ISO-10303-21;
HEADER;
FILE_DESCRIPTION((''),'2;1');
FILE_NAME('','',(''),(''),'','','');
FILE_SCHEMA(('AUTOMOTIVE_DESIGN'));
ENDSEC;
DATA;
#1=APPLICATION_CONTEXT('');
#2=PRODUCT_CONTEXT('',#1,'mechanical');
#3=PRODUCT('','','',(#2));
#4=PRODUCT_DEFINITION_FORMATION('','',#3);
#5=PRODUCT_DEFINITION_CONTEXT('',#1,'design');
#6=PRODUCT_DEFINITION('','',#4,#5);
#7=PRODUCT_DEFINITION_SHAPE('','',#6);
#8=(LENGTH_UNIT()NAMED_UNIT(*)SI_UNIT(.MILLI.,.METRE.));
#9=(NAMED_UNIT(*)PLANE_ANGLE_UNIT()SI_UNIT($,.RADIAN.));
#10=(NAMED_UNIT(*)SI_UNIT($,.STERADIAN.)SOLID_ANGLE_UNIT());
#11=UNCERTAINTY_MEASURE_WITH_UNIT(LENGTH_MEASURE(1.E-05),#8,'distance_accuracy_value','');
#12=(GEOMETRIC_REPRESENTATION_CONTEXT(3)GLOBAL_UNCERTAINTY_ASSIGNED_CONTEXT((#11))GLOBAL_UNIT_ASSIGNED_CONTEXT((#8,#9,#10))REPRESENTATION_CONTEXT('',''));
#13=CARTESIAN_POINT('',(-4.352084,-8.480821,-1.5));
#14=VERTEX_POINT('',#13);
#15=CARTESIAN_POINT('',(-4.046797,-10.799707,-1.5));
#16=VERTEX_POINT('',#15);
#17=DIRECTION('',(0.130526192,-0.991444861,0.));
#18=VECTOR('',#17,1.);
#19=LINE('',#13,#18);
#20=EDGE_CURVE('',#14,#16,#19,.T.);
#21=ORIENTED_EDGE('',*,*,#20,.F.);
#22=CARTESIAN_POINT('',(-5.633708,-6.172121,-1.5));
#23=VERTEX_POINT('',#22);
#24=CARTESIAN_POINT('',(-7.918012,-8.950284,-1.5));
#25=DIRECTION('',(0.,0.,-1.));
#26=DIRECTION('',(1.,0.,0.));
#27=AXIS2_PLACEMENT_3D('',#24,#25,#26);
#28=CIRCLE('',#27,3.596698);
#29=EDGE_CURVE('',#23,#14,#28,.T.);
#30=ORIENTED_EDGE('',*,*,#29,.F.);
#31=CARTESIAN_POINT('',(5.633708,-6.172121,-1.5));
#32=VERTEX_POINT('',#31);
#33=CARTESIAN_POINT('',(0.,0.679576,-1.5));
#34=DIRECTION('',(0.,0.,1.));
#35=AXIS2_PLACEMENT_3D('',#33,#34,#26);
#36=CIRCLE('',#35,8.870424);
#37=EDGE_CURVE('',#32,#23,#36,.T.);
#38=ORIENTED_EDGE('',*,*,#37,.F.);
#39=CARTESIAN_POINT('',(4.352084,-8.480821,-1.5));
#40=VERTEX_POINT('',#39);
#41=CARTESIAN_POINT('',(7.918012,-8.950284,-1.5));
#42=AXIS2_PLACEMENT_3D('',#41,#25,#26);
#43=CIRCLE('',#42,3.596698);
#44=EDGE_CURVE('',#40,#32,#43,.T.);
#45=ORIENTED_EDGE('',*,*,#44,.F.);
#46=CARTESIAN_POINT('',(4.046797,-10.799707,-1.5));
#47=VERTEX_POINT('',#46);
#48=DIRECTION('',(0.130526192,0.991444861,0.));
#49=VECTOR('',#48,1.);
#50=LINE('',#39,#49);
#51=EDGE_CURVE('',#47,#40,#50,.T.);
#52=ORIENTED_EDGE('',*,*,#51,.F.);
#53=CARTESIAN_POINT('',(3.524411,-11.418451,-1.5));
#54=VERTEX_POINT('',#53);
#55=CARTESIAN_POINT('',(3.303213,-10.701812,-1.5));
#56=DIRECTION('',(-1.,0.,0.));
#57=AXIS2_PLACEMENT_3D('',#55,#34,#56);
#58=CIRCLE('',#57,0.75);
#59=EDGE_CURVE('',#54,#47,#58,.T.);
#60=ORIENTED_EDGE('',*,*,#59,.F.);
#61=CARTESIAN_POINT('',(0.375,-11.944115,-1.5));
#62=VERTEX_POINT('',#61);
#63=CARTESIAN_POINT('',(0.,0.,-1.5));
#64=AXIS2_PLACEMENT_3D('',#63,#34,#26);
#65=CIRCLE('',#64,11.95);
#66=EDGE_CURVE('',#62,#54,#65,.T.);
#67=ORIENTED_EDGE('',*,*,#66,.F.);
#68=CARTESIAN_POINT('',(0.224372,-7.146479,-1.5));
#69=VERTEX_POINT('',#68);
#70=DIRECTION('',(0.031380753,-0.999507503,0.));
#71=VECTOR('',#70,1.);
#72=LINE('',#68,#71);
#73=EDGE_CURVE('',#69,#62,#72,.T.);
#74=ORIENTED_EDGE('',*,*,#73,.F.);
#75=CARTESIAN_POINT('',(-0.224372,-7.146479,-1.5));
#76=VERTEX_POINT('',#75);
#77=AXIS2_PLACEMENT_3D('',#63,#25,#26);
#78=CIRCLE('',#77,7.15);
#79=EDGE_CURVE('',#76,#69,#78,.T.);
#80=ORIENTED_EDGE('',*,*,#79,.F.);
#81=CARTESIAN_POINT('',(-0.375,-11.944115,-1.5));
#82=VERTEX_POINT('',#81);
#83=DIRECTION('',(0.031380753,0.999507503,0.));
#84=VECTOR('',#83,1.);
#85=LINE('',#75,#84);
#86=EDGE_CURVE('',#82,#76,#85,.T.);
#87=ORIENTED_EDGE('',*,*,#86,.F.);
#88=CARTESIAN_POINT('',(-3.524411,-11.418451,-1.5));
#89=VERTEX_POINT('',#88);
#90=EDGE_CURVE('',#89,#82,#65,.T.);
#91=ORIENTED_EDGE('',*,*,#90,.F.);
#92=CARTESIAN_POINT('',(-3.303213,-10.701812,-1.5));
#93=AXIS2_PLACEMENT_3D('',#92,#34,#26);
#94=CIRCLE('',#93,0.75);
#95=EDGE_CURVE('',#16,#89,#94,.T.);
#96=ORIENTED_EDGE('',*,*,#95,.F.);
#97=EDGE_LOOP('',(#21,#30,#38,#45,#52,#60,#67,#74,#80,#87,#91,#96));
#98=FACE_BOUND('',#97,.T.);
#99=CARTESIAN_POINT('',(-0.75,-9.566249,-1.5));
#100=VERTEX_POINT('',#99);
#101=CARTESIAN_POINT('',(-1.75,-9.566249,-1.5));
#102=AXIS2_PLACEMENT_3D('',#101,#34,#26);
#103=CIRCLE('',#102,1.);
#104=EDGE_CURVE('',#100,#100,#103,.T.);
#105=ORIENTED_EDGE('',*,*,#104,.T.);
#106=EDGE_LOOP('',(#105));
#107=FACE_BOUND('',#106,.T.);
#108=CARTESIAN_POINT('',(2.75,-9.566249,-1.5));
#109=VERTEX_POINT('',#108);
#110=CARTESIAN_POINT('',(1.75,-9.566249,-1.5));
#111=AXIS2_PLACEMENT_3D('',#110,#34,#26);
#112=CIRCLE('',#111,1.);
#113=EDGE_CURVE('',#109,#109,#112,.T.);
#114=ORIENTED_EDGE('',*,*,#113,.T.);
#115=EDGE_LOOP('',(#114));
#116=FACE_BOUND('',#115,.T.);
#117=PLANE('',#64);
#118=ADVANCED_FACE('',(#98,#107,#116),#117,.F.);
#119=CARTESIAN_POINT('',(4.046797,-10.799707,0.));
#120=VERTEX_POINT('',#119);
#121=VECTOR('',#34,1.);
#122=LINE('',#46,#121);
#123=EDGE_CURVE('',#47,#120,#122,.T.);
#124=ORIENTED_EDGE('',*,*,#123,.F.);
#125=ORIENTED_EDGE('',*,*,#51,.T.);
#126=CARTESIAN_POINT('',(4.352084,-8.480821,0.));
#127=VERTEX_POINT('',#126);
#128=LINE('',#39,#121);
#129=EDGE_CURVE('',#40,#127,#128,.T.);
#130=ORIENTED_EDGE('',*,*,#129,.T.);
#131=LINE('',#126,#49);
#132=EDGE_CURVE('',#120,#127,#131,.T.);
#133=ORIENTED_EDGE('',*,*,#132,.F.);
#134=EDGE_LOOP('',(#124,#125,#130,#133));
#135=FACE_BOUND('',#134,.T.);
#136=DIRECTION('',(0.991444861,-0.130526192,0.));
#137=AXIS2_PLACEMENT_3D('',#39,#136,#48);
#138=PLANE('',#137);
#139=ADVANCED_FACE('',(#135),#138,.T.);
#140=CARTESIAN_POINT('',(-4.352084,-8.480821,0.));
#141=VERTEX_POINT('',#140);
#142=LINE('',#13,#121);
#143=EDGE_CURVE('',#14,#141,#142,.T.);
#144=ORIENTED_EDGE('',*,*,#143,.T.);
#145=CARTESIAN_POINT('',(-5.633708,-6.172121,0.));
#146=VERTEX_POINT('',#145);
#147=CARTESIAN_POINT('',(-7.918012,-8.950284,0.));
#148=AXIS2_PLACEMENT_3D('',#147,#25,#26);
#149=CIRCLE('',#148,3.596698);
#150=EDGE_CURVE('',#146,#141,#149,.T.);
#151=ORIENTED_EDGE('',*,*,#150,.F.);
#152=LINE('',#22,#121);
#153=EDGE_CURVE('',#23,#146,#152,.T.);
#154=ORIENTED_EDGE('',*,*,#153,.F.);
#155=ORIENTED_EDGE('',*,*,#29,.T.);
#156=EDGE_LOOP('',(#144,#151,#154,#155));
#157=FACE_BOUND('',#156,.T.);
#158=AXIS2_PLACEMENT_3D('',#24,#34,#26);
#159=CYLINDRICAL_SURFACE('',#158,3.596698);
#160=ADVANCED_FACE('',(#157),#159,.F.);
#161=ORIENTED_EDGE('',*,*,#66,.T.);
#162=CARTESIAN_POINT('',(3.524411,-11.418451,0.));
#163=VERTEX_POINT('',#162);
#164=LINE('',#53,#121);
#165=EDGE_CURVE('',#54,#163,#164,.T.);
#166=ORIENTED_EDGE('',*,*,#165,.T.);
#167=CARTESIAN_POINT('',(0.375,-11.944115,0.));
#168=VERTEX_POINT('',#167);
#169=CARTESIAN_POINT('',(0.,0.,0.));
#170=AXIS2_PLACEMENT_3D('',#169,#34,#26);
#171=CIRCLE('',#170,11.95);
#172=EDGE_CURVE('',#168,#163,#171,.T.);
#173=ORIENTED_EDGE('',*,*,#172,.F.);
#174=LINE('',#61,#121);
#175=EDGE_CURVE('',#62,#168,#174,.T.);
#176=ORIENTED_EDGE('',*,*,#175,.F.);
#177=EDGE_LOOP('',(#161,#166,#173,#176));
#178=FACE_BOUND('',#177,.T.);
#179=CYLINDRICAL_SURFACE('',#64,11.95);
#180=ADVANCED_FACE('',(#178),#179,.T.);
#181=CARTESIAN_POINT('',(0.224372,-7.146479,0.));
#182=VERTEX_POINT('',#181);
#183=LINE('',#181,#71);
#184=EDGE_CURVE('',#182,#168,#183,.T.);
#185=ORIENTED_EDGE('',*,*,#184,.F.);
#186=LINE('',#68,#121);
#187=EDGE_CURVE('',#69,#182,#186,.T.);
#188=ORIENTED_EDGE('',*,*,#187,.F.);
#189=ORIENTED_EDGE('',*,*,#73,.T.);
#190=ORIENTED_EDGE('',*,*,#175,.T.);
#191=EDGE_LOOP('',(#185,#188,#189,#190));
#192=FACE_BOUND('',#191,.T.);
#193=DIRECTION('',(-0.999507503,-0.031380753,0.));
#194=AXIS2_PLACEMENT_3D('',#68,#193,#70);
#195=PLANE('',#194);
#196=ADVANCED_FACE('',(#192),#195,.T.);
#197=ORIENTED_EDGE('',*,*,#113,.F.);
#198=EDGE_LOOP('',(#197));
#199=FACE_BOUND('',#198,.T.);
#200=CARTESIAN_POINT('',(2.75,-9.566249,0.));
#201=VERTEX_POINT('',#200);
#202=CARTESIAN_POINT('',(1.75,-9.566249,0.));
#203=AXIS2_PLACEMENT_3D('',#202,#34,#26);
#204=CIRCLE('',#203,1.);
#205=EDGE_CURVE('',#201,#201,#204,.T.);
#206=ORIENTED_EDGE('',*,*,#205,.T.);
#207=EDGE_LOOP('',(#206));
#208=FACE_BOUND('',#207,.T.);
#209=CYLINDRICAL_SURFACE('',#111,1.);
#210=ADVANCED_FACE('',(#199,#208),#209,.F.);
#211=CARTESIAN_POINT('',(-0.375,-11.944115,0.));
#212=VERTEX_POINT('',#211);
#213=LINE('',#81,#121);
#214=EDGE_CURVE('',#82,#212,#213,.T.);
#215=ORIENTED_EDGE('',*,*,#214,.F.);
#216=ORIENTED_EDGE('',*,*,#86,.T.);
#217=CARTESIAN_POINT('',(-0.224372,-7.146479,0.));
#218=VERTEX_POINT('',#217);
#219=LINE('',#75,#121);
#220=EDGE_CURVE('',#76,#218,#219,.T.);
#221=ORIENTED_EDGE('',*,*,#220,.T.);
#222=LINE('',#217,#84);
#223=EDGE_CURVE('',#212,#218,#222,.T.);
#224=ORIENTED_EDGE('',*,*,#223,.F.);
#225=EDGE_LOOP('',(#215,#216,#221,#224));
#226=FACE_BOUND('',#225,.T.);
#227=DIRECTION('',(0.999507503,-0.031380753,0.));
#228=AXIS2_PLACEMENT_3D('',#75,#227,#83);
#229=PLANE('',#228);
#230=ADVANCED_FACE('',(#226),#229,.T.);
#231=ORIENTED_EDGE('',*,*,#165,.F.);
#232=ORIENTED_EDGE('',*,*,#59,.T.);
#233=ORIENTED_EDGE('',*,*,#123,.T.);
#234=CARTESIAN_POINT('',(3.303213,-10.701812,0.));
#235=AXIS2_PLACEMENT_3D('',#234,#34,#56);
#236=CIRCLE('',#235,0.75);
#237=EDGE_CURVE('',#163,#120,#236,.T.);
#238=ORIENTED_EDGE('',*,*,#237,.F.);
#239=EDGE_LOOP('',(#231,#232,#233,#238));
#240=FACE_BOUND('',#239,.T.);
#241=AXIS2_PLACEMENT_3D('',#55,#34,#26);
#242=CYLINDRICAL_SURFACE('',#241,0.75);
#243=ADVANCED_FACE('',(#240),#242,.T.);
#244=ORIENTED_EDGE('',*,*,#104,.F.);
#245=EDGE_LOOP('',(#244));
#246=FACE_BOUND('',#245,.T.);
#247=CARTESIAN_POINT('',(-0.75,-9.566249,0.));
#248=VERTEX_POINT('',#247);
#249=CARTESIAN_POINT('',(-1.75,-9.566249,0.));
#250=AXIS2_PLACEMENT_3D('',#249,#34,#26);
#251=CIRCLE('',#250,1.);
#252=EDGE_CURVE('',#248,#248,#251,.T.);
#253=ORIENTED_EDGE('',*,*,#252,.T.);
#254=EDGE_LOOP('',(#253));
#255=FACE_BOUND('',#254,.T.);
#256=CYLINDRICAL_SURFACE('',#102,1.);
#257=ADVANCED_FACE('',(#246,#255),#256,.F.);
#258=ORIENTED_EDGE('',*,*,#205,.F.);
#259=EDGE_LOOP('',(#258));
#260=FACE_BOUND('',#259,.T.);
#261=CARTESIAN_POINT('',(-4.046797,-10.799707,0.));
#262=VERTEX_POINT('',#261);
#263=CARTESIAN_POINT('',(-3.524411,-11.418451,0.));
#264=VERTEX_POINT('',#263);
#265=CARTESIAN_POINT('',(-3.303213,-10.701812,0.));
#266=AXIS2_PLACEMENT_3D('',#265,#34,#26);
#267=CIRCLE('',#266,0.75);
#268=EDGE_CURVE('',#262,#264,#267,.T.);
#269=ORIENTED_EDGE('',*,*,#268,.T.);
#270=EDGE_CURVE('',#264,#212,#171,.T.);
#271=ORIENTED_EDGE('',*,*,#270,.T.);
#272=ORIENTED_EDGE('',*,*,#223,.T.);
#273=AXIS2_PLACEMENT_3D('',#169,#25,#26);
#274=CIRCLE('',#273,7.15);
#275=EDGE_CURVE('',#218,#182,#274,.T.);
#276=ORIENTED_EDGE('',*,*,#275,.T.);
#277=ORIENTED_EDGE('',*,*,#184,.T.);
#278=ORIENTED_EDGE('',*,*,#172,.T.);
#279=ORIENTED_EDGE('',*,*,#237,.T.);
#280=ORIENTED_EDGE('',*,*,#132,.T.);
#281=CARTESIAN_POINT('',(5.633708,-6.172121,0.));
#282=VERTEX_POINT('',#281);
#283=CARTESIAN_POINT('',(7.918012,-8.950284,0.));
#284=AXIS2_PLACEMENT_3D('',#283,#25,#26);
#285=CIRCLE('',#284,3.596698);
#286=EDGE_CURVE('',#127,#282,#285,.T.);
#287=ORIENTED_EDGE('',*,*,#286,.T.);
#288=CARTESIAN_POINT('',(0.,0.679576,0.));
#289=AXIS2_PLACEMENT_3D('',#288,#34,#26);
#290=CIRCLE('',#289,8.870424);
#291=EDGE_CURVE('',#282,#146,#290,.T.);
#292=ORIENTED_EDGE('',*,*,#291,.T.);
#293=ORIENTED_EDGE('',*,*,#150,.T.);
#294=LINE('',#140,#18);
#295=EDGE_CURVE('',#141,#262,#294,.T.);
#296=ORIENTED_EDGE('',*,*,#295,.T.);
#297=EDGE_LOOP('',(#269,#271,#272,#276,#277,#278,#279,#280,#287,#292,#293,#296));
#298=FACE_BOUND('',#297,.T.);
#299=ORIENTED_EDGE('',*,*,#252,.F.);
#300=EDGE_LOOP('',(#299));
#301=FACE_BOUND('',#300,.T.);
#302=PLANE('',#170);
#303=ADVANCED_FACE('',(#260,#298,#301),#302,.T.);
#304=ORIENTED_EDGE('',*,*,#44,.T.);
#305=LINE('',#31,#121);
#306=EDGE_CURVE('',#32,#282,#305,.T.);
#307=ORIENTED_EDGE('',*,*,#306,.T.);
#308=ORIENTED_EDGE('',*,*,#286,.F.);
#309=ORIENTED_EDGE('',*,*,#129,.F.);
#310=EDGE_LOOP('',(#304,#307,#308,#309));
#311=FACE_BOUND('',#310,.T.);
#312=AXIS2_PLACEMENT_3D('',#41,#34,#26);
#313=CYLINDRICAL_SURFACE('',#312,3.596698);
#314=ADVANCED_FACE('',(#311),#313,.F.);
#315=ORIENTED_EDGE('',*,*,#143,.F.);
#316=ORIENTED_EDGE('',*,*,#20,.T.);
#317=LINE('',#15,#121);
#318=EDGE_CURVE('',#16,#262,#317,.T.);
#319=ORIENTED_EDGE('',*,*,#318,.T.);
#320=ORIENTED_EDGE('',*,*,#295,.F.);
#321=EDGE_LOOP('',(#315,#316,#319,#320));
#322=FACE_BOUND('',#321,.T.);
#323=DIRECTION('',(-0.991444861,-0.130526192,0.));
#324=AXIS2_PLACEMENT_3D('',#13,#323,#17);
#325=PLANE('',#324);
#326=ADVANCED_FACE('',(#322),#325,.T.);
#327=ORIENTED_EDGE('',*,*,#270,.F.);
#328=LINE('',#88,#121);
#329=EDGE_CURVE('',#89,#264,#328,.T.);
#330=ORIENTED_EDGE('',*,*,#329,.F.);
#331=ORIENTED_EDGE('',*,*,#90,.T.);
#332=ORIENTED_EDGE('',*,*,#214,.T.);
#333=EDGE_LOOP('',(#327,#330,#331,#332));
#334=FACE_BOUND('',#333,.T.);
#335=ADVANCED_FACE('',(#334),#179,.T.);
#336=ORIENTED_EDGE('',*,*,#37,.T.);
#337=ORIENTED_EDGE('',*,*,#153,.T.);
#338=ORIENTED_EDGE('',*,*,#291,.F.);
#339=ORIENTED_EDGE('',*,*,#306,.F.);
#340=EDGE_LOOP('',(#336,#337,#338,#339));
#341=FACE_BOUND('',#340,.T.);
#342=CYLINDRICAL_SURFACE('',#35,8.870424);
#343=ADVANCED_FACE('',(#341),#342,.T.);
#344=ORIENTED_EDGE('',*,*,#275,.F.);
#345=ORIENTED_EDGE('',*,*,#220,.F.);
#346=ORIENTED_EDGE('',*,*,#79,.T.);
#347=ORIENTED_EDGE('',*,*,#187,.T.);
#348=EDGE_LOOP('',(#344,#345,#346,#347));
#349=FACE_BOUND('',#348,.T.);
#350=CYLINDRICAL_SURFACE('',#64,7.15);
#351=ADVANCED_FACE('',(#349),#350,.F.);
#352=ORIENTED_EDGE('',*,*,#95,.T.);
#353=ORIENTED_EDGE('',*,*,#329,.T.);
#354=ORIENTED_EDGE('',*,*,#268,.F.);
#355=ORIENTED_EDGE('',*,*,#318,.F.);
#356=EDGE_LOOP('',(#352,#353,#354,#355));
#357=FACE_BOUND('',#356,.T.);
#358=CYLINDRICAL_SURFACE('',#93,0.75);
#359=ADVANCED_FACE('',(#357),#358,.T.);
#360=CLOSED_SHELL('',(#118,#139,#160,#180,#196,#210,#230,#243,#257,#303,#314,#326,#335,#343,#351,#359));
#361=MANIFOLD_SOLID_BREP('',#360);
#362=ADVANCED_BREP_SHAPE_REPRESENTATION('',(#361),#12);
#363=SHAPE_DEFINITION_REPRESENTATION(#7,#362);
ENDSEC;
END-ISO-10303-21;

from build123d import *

# Parameters (mm, degrees)
BODYSKE_R  = 1
BODY_DEPTH = 1.5


with BuildPart() as part:
    # BodySke → Body (new body)
    with BuildSketch(Plane.XY):
        with BuildLine():
            Line((0.224372385, -7.146478646), (0.375, -11.94411466))
            ThreePointArc((0.375, -11.94411466), (1.967341117, -11.786944851), (3.524410511, -11.41845132))
            ThreePointArc((3.524410511, -11.41845132), (3.87628543, -11.185638756), (4.046796845, -10.79970676))
            Line((4.046796845, -10.79970676), (4.352083954, -8.480820945))
            ThreePointArc((4.352083954, -8.480820945), (4.773361172, -7.204601104), (5.633707666, -6.172120844))
            ThreePointArc((5.633707666, -6.172120844), (0, 9.55), (-5.633707666, -6.172120844))
            ThreePointArc((-5.633707666, -6.172120844), (-4.773361172, -7.204601104), (-4.352083954, -8.480820945))
            Line((-4.352083954, -8.480820945), (-4.046796845, -10.79970676))
            ThreePointArc((-4.046796845, -10.79970676), (-3.87628543, -11.185638756), (-3.524410511, -11.41845132))
            ThreePointArc((-3.524410511, -11.41845132), (-1.967341117, -11.786944851), (-0.375, -11.94411466))
            Line((-0.375, -11.94411466), (-0.224372385, -7.146478646))
            ThreePointArc((-0.224372385, -7.146478646), (0, 7.15), (0.224372385, -7.146478646))
        make_face()
        with Locations((1.75, -9.566249265)):
            Circle(BODYSKE_R, mode=Mode.SUBTRACT)
        with Locations((-1.75, -9.566249265)):
            Circle(BODYSKE_R, mode=Mode.SUBTRACT)
    extrude(amount=-BODY_DEPTH)


solid = part.part
